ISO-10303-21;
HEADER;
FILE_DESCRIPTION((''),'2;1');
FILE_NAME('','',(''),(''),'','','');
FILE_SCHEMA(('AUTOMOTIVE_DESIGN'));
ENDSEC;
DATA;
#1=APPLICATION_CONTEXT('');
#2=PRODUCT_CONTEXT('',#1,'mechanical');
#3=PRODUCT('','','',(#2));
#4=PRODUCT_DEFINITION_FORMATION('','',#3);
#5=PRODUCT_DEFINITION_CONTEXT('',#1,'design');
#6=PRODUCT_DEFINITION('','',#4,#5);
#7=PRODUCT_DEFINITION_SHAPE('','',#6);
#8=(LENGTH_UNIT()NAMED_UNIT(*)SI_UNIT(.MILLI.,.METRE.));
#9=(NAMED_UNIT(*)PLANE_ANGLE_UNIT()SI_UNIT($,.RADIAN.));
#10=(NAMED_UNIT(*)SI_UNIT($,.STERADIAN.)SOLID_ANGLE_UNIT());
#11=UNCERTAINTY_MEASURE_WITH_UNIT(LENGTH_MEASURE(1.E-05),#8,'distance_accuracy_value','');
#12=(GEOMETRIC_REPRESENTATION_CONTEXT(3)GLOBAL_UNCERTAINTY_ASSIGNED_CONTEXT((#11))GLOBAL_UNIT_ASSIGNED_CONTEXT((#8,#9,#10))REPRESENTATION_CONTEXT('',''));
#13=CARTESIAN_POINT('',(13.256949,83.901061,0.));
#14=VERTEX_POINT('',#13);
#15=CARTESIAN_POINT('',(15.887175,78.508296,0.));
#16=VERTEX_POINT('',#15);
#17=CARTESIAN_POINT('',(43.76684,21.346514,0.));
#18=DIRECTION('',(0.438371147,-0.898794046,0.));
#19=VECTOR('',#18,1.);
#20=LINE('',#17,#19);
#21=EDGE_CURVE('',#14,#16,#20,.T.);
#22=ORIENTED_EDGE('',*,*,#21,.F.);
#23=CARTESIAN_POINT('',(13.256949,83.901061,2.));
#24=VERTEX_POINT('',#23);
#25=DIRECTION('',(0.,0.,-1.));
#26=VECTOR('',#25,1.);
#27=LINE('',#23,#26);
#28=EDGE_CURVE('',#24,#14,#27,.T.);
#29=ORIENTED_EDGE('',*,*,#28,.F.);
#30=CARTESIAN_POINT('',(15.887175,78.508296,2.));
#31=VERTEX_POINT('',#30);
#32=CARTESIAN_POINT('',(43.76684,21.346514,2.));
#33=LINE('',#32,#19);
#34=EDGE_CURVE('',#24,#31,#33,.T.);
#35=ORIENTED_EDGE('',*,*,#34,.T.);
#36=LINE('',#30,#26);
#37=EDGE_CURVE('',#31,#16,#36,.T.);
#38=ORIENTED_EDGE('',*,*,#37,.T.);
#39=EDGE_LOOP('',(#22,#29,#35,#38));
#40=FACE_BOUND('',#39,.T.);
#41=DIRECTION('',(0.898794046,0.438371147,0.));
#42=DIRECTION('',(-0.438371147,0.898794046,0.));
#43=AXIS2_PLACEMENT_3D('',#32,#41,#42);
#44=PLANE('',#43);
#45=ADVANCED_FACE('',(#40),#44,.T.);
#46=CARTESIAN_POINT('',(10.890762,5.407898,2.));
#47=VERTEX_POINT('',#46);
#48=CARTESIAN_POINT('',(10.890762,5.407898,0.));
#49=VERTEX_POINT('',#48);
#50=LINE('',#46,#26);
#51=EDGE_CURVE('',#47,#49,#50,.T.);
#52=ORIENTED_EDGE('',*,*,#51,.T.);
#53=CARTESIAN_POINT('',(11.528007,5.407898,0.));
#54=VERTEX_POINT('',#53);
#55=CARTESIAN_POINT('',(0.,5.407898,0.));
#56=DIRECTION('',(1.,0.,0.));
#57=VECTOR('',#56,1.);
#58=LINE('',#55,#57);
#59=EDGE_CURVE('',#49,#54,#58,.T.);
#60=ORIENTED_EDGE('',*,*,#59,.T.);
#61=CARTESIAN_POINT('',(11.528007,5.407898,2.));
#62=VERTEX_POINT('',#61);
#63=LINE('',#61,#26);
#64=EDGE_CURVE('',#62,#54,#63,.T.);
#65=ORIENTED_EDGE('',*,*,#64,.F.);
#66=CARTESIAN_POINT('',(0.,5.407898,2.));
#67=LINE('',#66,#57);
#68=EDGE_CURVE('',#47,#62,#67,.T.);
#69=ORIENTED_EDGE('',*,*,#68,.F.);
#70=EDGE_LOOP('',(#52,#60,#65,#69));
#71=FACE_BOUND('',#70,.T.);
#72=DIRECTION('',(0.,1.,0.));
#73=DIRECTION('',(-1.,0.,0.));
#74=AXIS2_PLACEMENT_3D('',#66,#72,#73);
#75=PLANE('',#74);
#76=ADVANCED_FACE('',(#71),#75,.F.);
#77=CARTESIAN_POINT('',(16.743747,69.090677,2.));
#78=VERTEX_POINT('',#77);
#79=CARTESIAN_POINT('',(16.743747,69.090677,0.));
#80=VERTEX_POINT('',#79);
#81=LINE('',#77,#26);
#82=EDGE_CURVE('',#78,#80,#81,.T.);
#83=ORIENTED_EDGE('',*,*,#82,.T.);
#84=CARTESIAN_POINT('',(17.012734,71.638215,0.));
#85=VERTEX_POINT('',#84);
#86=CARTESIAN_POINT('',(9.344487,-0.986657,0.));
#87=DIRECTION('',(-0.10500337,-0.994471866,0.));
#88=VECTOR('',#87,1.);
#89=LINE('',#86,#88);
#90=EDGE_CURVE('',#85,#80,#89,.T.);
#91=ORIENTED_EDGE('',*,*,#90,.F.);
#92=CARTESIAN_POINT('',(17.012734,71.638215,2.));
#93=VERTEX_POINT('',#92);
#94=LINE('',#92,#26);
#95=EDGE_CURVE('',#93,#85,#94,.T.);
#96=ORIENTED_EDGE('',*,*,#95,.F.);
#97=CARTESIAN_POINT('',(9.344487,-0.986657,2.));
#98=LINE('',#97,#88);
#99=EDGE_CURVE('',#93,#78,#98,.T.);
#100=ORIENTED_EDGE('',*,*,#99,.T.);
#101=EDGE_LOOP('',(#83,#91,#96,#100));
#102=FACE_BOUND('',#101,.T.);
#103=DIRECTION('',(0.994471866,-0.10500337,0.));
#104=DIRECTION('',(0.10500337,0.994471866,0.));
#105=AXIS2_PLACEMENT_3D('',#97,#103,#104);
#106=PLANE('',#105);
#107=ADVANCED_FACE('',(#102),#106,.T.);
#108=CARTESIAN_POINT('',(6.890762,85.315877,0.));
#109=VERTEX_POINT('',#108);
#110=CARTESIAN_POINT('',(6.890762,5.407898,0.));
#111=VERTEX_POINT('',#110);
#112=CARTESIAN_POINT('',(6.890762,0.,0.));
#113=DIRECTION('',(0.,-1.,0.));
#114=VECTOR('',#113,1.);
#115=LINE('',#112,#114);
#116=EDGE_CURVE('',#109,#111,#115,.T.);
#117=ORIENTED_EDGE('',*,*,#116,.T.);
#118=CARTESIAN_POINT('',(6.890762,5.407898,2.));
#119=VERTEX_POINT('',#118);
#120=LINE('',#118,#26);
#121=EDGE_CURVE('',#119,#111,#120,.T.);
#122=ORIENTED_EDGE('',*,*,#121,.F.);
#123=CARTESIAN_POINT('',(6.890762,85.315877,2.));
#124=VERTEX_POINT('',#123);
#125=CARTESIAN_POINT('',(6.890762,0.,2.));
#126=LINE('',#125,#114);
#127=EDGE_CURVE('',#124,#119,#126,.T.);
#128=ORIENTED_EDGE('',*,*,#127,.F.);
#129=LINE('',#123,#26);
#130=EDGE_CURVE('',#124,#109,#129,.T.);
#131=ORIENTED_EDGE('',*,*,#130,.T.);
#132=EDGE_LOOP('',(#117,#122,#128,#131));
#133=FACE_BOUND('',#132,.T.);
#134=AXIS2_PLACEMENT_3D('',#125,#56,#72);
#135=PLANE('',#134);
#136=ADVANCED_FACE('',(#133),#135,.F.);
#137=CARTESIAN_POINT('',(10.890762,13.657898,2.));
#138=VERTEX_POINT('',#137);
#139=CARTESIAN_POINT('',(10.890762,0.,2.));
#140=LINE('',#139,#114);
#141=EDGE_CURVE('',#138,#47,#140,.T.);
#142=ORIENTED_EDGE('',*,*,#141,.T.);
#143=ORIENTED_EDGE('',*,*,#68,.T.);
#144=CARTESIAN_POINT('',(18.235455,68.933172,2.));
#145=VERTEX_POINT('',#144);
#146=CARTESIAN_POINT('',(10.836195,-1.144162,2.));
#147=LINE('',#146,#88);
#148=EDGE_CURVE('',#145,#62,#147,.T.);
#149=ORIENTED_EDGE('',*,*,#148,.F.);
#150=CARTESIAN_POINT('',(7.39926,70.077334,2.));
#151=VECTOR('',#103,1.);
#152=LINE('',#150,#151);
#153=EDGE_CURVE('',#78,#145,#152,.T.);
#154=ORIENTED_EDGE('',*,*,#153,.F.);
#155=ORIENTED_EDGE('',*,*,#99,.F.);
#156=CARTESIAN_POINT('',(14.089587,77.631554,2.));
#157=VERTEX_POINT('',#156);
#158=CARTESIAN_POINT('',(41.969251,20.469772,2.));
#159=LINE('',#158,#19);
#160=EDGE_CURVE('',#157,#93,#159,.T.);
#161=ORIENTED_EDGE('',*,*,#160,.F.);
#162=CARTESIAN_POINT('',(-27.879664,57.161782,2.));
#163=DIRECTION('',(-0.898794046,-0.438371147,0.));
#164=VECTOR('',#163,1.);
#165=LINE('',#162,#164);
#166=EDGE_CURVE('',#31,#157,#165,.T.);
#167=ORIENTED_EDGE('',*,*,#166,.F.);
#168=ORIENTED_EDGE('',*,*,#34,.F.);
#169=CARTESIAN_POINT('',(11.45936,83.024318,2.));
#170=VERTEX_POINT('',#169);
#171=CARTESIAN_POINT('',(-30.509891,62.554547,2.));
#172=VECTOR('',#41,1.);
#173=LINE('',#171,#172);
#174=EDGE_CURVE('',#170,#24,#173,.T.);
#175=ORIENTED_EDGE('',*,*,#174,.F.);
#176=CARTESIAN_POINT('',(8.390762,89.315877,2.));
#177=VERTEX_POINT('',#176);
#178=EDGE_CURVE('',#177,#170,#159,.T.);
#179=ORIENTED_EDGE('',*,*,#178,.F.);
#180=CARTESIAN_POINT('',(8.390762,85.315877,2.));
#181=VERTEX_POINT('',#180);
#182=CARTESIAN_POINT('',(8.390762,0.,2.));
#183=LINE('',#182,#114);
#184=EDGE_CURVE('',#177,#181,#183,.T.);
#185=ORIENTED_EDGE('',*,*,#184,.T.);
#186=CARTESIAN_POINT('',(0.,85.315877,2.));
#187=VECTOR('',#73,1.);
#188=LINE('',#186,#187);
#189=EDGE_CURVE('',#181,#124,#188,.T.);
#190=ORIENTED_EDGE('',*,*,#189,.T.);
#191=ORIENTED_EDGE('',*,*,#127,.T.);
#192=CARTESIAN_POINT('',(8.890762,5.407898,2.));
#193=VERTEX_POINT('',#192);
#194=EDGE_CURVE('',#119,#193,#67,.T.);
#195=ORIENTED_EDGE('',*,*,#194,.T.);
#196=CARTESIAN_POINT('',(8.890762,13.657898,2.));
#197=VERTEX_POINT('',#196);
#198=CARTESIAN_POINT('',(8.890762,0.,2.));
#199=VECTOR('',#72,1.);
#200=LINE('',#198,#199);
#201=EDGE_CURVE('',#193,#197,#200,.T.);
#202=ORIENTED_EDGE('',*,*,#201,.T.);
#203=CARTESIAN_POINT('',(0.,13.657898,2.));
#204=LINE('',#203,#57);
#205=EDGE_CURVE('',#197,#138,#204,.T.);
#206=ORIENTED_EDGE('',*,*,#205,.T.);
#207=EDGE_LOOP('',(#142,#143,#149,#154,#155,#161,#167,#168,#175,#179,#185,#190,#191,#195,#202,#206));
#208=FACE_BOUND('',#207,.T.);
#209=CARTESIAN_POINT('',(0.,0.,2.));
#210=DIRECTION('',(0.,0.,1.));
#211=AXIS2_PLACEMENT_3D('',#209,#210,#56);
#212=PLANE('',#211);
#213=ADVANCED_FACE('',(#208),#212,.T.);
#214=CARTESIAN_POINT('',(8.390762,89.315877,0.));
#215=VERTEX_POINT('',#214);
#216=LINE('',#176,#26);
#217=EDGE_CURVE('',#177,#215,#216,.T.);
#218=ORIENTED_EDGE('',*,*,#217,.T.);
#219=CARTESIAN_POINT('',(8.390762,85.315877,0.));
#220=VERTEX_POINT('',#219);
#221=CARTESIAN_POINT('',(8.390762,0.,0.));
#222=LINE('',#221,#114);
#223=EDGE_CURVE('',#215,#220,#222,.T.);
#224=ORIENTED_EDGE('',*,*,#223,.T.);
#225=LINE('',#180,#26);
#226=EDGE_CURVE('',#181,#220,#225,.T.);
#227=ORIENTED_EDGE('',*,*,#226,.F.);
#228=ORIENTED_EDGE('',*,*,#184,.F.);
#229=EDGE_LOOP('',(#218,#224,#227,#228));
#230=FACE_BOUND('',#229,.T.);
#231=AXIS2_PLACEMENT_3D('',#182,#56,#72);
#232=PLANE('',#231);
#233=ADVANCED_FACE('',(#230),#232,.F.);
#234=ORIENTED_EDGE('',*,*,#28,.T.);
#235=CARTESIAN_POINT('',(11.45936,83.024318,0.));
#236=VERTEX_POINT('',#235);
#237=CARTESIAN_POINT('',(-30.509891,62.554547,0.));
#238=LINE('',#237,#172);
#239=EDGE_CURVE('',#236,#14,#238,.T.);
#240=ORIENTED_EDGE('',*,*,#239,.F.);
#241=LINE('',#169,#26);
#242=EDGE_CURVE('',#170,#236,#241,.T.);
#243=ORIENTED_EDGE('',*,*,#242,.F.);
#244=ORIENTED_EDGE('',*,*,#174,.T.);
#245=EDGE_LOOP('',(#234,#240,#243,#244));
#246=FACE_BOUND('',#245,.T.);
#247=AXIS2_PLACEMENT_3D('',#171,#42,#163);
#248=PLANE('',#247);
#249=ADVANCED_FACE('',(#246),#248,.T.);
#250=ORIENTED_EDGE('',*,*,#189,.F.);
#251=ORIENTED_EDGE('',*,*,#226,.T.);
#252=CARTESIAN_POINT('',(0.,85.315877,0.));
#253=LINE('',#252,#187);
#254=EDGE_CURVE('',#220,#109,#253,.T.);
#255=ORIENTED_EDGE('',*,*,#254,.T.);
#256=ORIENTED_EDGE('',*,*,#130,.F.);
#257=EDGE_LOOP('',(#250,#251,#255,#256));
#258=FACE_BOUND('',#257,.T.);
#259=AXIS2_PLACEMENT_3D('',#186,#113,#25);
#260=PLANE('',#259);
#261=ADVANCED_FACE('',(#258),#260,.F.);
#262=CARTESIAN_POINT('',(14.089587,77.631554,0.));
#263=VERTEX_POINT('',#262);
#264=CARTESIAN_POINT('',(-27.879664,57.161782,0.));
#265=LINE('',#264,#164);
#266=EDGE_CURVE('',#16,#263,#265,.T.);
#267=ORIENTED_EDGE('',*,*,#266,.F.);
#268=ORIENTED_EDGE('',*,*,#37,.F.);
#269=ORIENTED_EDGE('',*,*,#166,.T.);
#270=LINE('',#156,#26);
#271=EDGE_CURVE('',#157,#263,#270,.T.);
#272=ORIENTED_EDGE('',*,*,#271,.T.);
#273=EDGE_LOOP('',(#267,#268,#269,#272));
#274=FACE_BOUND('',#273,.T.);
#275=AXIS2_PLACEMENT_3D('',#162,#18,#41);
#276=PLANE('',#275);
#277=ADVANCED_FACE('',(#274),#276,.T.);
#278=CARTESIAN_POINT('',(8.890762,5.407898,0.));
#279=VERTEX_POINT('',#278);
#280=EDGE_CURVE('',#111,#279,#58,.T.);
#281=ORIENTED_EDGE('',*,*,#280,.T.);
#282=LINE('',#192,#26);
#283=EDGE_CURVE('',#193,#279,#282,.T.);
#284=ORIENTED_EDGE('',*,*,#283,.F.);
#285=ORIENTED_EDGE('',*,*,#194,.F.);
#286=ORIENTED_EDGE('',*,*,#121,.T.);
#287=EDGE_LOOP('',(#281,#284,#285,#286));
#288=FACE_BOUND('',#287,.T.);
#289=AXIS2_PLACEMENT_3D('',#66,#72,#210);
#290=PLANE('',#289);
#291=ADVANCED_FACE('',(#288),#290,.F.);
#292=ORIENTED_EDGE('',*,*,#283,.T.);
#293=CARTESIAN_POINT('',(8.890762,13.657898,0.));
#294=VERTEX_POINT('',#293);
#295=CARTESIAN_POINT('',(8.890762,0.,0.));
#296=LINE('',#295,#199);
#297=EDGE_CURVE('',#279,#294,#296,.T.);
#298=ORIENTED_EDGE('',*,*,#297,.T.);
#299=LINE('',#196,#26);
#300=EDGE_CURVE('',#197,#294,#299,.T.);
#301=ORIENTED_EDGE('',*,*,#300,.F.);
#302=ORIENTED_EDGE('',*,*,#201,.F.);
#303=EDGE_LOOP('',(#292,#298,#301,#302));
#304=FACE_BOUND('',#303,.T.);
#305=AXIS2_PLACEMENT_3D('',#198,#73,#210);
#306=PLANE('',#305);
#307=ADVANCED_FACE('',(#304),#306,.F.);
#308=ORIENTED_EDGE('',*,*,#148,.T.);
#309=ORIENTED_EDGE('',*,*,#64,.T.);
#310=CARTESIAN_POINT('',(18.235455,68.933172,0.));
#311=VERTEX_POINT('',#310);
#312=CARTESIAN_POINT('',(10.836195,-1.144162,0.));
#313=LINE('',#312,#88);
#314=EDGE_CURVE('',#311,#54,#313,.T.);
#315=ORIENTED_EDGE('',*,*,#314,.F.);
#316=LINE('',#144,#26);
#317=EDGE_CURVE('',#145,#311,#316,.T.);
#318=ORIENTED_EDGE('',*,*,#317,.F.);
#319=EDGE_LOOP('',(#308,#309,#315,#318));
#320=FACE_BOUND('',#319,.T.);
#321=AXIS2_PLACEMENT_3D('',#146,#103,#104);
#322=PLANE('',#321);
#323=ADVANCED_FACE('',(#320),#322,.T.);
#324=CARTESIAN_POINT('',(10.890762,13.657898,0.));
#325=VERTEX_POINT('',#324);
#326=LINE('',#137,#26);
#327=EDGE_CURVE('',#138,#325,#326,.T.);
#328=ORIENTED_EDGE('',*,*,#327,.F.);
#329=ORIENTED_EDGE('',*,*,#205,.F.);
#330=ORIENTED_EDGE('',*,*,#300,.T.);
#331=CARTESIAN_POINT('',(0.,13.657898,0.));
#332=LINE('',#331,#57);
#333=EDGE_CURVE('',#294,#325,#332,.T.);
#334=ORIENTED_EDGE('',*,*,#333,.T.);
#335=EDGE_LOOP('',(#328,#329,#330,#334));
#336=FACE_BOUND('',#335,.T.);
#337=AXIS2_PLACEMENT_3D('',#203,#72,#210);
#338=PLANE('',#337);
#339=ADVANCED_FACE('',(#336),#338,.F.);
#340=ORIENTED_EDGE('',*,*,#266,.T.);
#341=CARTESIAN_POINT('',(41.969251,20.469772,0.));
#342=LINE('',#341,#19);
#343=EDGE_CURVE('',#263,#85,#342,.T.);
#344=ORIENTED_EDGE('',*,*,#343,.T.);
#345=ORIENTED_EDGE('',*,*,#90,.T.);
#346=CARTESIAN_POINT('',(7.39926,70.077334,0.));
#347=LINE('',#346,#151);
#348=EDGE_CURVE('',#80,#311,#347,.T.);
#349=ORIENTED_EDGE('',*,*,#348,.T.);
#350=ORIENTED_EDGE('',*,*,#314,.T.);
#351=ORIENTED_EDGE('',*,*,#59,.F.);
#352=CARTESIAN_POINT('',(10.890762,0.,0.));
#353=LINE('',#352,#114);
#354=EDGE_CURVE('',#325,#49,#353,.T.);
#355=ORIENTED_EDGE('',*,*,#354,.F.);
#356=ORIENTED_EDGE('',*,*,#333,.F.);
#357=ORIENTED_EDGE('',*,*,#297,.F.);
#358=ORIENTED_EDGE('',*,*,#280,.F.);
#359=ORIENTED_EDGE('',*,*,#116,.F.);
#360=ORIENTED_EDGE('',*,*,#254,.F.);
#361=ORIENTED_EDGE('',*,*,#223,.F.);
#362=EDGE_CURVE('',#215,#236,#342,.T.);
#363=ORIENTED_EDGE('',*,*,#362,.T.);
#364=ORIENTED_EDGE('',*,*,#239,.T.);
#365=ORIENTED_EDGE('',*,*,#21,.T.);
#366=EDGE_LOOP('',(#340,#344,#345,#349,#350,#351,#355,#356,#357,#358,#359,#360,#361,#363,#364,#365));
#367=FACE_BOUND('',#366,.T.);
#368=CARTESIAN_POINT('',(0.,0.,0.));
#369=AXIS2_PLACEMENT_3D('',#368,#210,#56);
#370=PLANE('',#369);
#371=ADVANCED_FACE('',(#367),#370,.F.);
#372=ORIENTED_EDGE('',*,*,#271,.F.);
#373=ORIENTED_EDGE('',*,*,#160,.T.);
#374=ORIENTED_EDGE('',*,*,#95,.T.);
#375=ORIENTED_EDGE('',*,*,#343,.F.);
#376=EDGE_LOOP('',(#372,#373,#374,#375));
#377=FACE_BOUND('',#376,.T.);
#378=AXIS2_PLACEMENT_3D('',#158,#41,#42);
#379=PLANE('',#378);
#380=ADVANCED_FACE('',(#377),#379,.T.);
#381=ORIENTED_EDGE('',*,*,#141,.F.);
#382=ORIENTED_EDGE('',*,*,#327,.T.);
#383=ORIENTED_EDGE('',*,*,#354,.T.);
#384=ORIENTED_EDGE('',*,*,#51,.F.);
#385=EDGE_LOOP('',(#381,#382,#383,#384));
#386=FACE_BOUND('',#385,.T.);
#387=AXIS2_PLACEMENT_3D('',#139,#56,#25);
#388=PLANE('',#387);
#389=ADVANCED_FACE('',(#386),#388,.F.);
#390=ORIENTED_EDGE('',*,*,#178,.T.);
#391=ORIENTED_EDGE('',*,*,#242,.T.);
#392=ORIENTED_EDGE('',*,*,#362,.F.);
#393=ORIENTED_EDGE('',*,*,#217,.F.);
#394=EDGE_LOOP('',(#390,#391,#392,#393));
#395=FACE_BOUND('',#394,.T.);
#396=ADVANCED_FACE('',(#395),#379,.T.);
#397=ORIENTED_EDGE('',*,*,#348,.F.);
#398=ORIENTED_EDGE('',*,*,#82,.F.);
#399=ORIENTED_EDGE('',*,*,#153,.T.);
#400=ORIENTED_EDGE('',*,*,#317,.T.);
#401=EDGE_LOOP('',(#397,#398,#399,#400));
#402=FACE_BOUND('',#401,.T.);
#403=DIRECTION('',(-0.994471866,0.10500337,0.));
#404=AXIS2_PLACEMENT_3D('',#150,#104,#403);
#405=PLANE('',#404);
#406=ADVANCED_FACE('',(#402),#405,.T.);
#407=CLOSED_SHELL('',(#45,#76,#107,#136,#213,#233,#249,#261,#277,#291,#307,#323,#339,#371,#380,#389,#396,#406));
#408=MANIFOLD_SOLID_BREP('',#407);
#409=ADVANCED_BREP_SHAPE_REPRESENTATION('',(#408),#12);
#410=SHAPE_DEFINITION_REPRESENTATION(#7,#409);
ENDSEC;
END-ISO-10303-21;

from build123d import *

# Parameters (mm, degrees)
EXTRUDE_1_DEPTH = 2


with BuildPart() as part:
    # 草图1 → 凸台-拉伸1 (new body)
    with BuildSketch(Plane.XY):
        Polygon((16.743747017, 69.090676734), (18.235454816, 68.933171679), (11.528007373, 5.407898328), (10.890762399, 5.407898328), (10.890762399, 13.657898328), (8.890762399, 13.657898328), (8.890762399, 5.407898328), (6.890762399, 5.407898328), (6.890762399, 85.315876733), (8.390762399, 85.315876733), (8.390762399, 89.315876733), (11.459360427, 83.024318409), (13.256948519, 83.901060703), (15.8871754, 78.508296425), (14.089587308, 77.631554131), (17.012734116, 71.638214999), align=None)
    extrude(amount=EXTRUDE_1_DEPTH)


solid = part.part
